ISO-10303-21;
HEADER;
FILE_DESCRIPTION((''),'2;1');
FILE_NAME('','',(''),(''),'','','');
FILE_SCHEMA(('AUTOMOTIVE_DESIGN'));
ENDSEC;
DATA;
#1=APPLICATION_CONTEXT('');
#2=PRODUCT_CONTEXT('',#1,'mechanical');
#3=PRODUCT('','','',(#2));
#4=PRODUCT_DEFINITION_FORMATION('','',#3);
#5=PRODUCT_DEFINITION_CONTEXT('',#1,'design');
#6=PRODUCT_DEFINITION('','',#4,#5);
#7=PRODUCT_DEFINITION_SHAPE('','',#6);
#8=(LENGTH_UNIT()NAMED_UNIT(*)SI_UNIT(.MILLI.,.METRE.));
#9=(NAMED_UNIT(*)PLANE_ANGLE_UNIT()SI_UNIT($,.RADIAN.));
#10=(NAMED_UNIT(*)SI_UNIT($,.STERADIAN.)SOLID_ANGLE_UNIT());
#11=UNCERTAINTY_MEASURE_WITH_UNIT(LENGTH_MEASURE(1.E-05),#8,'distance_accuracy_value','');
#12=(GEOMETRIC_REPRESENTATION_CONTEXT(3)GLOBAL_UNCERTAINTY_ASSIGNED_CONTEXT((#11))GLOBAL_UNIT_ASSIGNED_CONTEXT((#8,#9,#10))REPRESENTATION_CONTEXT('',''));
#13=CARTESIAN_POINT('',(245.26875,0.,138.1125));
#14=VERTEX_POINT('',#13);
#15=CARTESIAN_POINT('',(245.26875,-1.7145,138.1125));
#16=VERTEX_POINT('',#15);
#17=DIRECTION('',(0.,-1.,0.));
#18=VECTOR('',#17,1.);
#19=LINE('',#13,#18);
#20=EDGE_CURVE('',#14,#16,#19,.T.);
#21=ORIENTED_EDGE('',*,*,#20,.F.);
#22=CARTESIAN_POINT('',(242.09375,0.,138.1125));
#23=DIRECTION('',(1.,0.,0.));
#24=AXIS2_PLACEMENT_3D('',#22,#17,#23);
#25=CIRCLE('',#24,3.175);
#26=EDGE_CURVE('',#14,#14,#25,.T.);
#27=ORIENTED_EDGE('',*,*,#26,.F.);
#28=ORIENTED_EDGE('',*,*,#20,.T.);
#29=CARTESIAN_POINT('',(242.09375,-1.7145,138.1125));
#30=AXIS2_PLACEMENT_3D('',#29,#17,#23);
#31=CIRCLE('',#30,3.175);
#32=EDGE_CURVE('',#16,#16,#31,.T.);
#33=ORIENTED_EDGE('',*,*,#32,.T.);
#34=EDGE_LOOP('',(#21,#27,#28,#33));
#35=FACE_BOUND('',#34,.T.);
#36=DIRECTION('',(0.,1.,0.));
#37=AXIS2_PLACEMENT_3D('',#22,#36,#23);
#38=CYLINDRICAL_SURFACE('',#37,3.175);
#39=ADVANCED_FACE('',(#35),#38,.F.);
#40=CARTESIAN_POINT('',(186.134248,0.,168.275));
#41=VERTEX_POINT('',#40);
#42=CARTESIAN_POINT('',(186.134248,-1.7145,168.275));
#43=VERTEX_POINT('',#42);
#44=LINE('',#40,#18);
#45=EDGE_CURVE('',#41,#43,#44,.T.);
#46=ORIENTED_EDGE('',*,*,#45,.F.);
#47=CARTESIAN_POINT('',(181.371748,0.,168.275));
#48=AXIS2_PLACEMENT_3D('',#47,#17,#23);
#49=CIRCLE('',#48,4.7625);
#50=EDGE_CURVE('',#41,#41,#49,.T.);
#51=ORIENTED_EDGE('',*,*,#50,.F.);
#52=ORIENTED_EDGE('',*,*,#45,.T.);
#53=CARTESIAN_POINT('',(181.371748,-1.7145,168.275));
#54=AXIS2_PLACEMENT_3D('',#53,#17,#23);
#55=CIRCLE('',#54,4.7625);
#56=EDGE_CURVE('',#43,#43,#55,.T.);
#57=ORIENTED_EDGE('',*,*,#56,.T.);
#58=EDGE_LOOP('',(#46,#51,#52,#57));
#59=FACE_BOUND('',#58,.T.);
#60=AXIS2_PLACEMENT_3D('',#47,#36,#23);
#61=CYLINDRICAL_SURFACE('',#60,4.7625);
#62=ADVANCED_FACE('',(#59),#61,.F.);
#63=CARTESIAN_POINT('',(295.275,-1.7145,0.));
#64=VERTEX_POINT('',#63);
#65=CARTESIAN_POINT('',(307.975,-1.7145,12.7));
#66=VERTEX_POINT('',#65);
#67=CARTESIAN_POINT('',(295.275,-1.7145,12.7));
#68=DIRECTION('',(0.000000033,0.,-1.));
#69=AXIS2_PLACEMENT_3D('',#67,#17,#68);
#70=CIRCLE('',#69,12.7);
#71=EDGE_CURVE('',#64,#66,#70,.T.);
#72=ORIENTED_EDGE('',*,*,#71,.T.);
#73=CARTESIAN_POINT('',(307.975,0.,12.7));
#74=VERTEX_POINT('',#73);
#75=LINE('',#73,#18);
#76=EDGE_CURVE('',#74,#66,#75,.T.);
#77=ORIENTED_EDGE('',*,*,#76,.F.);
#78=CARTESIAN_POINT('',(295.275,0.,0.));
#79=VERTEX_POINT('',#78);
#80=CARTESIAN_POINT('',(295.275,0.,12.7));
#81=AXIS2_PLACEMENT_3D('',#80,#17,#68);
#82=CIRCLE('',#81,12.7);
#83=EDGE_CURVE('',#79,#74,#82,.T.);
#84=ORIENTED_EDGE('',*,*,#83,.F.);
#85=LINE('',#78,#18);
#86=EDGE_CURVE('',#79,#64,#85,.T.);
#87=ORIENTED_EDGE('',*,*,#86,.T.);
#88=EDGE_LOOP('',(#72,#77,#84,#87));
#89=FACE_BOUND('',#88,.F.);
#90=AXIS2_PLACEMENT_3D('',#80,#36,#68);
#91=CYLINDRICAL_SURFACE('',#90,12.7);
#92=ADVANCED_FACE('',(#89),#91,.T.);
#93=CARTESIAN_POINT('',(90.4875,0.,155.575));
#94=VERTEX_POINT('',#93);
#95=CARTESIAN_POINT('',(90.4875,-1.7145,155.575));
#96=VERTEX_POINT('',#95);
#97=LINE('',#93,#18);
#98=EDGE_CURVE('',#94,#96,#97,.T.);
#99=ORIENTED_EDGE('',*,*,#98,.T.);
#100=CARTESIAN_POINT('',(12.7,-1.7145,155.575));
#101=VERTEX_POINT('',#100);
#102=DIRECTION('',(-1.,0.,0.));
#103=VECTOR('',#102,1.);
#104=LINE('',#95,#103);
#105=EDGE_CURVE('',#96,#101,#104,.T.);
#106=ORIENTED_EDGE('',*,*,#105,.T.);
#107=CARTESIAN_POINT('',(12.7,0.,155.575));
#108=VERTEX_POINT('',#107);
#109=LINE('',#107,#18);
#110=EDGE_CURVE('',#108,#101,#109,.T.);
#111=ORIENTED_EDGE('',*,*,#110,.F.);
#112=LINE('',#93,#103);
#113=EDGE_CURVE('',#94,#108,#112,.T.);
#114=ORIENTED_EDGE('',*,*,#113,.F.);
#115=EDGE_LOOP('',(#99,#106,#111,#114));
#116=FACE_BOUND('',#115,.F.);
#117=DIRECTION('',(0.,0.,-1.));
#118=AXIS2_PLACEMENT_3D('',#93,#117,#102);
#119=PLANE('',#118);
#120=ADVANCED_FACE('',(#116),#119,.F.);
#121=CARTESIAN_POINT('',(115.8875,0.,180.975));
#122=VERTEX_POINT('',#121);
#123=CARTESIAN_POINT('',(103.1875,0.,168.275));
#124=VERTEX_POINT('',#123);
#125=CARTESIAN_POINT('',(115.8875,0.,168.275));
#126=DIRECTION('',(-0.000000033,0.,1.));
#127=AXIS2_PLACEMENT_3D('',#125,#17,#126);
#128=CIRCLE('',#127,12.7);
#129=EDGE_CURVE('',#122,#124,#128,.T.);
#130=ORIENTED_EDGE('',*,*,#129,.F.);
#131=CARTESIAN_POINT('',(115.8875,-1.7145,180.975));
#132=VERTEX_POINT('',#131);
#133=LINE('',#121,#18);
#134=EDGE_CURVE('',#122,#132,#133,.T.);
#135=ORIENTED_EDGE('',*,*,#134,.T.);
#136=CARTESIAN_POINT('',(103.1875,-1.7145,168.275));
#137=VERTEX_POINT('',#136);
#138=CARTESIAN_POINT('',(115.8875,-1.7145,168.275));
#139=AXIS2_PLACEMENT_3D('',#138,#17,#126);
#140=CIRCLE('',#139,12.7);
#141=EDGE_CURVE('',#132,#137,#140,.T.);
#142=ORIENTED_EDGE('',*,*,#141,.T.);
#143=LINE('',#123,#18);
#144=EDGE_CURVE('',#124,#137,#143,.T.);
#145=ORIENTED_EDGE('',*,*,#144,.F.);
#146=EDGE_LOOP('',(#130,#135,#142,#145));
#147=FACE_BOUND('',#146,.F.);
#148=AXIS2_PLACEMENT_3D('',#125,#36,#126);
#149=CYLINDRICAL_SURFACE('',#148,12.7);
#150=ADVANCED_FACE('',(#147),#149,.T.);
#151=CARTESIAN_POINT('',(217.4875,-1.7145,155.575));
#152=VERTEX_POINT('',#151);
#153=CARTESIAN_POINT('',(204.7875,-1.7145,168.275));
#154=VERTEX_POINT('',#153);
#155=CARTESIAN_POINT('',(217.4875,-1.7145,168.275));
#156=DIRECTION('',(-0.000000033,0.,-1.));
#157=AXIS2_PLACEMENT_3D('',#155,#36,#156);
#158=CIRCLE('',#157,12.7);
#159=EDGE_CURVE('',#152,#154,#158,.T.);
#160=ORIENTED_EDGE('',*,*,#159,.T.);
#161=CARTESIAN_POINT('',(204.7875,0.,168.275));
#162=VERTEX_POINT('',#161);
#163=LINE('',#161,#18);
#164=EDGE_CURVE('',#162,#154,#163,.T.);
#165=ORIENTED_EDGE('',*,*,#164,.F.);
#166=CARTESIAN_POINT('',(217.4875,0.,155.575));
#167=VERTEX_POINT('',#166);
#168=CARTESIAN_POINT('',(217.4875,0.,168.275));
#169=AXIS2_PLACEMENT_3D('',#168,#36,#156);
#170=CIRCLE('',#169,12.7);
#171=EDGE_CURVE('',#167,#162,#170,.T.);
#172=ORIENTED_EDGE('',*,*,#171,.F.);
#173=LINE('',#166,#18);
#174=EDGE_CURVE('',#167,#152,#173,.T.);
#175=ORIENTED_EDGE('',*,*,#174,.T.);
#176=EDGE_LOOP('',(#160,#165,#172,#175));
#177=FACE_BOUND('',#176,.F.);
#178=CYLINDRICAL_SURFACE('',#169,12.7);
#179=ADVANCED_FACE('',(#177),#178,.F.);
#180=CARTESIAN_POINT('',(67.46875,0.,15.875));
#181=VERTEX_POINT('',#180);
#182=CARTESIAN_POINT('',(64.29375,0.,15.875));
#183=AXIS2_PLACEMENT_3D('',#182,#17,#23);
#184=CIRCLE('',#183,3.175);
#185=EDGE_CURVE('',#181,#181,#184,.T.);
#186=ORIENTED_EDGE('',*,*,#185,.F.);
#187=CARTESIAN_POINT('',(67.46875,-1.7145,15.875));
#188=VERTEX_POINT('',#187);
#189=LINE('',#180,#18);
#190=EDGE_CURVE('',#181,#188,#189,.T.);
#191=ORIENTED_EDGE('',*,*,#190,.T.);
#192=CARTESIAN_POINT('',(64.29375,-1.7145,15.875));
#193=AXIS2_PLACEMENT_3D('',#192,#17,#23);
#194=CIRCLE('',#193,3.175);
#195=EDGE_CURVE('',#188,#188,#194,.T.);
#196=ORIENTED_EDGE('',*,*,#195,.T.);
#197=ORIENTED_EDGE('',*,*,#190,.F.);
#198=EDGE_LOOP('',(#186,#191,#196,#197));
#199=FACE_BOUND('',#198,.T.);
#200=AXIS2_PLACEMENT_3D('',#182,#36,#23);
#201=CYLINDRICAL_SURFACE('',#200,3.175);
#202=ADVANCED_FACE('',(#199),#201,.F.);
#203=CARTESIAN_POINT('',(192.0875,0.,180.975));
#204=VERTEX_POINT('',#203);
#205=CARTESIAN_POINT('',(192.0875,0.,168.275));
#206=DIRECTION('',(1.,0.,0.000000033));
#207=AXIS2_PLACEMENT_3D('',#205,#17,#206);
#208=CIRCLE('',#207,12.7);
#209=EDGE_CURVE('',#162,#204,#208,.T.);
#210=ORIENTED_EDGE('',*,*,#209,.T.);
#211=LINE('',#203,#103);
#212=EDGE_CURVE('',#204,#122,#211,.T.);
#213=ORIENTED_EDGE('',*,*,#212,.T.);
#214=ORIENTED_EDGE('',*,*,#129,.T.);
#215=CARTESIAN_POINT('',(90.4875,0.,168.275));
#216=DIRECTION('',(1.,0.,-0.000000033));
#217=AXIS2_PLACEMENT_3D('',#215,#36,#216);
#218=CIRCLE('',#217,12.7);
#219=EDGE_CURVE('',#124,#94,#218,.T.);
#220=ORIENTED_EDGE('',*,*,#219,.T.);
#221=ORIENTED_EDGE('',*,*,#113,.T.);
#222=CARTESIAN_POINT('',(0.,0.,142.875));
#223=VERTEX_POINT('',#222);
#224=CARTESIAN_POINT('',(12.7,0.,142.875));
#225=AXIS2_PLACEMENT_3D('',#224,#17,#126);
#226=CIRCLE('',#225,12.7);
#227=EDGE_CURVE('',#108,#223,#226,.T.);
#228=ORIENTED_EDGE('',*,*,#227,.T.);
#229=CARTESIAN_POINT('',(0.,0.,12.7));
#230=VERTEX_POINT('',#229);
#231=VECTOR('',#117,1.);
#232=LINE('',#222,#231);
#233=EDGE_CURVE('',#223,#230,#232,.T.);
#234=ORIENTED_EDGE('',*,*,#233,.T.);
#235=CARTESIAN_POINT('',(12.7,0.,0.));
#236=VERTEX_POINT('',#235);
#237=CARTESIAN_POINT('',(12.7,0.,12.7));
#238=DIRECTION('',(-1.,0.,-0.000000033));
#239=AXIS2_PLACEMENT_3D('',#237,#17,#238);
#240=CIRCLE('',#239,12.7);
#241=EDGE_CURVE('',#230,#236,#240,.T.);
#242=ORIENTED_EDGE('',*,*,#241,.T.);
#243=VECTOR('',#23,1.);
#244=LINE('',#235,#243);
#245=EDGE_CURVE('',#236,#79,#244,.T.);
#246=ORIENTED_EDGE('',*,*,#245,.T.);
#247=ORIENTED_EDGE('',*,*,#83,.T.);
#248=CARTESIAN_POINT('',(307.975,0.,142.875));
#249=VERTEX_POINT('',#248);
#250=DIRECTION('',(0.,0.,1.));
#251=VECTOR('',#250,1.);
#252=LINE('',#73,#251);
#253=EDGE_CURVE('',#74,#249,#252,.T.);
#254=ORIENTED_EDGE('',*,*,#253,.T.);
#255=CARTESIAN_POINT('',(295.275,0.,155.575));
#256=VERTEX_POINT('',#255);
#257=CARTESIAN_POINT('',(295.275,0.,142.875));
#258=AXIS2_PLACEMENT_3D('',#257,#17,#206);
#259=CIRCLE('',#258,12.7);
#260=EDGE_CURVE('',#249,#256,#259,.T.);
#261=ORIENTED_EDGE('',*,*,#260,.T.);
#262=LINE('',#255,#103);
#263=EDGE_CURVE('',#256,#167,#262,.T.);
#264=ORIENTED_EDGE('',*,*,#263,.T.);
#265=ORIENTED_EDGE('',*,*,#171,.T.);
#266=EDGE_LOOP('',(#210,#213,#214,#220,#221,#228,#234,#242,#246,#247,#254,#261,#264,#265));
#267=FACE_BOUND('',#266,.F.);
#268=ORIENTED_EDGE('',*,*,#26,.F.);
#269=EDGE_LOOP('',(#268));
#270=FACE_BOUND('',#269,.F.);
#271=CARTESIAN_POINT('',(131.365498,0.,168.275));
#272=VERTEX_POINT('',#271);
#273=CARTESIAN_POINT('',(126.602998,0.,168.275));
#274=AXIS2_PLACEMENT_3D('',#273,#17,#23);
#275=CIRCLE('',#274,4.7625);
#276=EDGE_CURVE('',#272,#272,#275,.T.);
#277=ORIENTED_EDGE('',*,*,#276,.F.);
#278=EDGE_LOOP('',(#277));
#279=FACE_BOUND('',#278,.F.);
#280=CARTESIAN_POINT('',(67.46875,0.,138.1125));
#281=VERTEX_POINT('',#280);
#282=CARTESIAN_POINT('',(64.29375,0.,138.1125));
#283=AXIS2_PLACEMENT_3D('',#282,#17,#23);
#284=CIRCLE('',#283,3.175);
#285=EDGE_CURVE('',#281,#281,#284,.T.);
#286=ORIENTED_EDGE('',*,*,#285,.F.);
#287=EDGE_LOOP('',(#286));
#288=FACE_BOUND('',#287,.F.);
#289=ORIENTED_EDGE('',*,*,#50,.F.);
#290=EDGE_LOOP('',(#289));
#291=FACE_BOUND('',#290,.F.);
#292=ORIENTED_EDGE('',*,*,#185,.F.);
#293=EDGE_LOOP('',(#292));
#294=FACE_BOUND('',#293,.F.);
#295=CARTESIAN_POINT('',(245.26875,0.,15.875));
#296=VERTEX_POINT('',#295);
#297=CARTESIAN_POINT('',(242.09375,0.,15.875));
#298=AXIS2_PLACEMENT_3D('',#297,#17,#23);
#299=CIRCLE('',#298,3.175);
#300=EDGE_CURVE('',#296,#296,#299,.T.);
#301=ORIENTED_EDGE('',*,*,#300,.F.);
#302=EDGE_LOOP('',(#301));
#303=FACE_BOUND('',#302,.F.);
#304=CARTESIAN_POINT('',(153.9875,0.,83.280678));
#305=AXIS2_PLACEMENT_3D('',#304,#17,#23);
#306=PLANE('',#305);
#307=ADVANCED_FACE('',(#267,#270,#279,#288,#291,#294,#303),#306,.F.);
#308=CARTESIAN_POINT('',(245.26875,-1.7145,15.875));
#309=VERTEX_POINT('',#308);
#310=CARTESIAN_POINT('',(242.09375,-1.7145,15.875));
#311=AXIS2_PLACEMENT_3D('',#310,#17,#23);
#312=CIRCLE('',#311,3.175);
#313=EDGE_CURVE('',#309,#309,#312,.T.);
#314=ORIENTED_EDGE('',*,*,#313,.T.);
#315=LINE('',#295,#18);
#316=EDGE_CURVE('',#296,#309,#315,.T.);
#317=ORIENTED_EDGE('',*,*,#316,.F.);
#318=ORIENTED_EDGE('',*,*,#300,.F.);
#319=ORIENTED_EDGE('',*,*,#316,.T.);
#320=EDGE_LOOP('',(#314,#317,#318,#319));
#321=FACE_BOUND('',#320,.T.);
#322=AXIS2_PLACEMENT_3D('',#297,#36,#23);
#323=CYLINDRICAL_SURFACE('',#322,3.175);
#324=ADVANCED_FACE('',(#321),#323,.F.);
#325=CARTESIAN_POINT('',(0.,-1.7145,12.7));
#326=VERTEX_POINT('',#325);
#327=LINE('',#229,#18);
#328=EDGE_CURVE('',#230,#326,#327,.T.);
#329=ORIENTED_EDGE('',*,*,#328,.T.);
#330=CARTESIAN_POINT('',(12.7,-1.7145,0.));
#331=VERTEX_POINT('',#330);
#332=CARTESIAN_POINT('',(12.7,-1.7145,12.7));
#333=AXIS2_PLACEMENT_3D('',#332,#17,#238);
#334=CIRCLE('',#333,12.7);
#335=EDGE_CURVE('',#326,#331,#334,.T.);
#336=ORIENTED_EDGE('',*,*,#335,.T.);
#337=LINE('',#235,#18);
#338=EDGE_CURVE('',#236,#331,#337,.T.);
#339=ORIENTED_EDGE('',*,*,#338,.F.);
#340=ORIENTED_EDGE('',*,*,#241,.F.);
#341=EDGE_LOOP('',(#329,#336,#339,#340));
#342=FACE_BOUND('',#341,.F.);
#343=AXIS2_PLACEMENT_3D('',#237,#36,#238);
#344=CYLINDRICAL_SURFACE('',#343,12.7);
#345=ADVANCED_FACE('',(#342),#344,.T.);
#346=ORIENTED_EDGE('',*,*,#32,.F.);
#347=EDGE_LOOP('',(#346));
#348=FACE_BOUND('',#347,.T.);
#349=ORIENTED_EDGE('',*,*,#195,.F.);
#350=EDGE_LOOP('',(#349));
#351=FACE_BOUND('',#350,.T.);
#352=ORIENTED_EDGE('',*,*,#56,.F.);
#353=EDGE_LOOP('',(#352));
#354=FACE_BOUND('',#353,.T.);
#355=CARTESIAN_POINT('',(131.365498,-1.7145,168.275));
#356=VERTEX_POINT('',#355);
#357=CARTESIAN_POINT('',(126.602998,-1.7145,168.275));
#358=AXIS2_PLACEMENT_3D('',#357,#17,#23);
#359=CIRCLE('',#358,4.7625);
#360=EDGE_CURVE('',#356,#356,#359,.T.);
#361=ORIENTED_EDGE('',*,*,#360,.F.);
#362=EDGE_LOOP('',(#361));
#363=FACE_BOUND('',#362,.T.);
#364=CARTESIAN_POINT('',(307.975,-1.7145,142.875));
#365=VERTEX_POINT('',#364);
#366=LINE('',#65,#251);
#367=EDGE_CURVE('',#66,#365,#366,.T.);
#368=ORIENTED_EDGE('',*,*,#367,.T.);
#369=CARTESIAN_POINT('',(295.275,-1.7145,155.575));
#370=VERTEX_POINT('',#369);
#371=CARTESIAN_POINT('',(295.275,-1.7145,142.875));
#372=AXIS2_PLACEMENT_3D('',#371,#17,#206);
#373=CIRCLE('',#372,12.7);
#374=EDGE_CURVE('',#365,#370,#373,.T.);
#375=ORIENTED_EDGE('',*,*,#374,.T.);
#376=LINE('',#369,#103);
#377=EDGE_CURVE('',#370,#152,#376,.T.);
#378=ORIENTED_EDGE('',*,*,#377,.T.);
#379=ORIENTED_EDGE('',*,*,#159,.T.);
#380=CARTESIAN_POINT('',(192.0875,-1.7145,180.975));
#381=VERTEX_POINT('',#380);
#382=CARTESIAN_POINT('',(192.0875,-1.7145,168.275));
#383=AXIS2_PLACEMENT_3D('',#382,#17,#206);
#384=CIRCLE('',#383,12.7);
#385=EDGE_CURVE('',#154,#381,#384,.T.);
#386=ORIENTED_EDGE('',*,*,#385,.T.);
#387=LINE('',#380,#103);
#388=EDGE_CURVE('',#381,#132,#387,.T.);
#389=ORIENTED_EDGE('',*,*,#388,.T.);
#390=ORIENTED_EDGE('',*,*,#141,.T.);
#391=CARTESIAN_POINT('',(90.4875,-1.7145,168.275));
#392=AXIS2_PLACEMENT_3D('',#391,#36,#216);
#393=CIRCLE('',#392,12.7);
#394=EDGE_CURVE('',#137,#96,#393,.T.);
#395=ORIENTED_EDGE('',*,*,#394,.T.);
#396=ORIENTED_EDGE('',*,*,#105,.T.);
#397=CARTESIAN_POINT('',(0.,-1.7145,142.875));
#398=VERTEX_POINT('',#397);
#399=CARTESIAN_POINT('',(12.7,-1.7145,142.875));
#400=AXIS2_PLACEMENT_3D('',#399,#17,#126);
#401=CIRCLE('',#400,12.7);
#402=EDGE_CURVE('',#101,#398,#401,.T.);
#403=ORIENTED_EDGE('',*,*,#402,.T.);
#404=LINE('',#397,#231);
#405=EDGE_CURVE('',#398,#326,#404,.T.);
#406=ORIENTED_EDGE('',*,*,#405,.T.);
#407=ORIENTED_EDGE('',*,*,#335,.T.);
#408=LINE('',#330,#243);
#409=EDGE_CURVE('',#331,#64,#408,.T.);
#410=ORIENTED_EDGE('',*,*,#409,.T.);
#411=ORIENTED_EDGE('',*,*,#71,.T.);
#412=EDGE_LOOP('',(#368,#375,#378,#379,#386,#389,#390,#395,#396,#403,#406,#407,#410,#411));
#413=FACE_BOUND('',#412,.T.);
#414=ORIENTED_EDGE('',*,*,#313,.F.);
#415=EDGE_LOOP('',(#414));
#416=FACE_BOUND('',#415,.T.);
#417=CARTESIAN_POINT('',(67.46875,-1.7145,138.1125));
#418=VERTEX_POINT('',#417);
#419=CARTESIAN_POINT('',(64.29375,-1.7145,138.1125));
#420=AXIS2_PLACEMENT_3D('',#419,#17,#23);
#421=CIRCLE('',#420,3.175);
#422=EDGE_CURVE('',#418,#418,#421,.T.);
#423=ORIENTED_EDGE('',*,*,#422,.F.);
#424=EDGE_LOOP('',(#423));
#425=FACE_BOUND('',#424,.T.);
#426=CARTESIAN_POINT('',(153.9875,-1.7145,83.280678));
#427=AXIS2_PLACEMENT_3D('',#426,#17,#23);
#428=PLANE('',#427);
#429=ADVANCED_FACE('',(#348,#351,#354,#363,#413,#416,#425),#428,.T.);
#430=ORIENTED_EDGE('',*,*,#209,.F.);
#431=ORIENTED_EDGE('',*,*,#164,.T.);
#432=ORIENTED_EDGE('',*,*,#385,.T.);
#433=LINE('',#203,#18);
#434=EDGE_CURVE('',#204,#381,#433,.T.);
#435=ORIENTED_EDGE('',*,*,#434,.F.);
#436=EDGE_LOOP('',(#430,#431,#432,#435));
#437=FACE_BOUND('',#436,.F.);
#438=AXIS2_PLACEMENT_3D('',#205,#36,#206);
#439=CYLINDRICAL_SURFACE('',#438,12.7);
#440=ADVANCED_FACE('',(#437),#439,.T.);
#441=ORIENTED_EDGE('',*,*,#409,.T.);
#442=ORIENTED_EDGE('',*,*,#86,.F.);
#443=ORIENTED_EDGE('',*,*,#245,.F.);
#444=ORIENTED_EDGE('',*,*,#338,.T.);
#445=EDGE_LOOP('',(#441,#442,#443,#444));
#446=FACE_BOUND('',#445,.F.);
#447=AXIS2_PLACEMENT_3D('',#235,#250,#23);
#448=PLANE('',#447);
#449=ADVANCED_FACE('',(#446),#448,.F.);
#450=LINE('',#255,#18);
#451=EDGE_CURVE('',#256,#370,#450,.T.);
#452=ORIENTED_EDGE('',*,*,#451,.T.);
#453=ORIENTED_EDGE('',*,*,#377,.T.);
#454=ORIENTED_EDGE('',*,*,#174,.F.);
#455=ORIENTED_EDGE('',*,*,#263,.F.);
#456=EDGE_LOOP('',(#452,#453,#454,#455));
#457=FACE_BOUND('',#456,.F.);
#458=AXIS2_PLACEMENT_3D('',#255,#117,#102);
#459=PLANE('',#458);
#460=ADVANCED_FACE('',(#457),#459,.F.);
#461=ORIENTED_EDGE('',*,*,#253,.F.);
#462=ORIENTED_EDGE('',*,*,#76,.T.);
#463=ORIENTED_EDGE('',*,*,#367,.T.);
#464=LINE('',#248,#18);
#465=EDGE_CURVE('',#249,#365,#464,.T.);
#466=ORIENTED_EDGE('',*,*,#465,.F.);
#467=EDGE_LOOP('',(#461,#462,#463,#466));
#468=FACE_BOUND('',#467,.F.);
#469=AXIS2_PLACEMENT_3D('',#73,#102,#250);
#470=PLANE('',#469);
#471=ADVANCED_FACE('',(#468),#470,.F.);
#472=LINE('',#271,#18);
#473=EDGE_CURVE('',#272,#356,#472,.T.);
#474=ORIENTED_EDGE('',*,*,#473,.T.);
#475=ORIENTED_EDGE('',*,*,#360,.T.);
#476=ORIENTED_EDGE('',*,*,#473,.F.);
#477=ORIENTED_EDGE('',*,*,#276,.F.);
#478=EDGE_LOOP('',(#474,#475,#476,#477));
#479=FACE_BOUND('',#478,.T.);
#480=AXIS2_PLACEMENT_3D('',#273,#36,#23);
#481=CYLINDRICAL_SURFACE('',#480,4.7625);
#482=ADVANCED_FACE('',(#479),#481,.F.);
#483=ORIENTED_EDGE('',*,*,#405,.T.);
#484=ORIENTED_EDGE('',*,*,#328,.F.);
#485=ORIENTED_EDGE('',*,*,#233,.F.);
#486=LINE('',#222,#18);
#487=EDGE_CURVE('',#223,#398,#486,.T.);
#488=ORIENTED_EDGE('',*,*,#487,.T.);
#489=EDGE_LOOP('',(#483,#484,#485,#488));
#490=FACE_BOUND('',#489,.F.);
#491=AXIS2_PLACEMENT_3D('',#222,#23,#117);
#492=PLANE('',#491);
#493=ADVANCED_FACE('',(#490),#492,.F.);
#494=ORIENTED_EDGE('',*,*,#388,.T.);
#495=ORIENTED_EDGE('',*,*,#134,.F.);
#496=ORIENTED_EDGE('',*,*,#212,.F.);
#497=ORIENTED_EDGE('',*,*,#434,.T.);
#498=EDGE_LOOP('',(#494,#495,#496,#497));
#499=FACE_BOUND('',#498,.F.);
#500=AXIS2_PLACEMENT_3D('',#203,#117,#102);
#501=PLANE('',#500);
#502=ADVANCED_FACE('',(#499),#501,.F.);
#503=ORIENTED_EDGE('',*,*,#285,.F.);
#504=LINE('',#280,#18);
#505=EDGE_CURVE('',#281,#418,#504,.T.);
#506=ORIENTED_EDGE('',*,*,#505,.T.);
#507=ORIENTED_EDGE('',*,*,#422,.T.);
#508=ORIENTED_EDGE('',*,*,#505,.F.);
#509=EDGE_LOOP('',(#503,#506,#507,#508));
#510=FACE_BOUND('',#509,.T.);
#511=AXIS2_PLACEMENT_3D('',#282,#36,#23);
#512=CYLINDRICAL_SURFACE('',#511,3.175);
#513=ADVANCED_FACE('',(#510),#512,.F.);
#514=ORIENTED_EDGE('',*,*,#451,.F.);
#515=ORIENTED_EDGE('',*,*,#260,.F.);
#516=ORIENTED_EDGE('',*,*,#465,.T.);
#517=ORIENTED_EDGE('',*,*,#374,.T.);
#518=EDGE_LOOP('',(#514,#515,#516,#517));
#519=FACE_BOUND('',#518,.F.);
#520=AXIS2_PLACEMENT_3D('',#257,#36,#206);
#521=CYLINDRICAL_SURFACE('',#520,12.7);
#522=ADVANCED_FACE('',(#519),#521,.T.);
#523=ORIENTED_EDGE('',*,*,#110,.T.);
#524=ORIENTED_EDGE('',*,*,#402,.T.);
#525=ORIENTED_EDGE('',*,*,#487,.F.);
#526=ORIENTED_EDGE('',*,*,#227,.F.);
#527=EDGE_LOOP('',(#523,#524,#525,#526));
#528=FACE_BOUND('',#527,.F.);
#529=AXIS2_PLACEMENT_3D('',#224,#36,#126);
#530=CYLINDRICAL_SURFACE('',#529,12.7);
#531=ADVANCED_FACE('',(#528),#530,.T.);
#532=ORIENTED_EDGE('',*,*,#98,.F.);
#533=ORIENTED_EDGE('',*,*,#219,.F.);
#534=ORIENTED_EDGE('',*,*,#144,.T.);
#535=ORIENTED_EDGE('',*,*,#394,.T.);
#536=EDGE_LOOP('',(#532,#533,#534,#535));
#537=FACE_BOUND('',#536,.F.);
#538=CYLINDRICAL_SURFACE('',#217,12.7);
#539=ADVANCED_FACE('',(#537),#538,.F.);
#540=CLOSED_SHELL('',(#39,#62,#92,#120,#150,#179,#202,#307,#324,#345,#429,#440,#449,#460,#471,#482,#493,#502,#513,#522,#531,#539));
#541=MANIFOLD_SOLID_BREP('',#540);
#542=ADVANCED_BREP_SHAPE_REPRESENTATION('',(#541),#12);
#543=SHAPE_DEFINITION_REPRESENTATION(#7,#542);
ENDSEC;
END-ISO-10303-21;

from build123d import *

# Parameters (mm, degrees)
F0_R     = 3.175
F0_R_2   = 4.7625
F1_DEPTH = 1.7145


with BuildPart() as f1:
    # F0 (on Front) → F1 (new body)
    with BuildSketch(Plane.XZ):
        with BuildLine():
            ThreePointArc((0, 12.7), (3.719744, 3.719744), (12.7, 0))
            Line((12.7, 0), (295.275, 0))
            ThreePointArc((295.275, 0), (304.255256, 3.719744), (307.975, 12.7))
            Line((307.975, 12.7), (307.975, 142.875))
            ThreePointArc((307.975, 142.875), (304.255256, 151.855256), (295.275, 155.575))
            Line((295.275, 155.575), (217.4875, 155.575))
            ThreePointArc((217.4875, 155.575), (208.507244, 159.294744), (204.7875, 168.275))
            ThreePointArc((204.7875, 168.275), (201.067756, 177.255256), (192.0875, 180.975))
            Line((192.0875, 180.975), (115.8875, 180.975))
            ThreePointArc((115.8875, 180.975), (106.907244, 177.255256), (103.1875, 168.275))
            ThreePointArc((103.1875, 168.275), (99.467756, 159.294744), (90.4875, 155.575))
            Line((90.4875, 155.575), (12.7, 155.575))
            ThreePointArc((12.7, 155.575), (3.719744, 151.855256), (0, 142.875))
            Line((0, 142.875), (0, 12.7))
        make_face()
        with Locations((64.29375, 15.875)):
            Circle(F0_R, mode=Mode.SUBTRACT)
        with Locations((242.09375, 15.875)):
            Circle(F0_R, mode=Mode.SUBTRACT)
        with Locations((64.29375, 138.1125)):
            Circle(F0_R, mode=Mode.SUBTRACT)
        with Locations((126.602998, 168.275)):
            Circle(F0_R_2, mode=Mode.SUBTRACT)
        with Locations((181.371748, 168.275)):
            Circle(F0_R_2, mode=Mode.SUBTRACT)
        with Locations((242.09375, 138.1125)):
            Circle(F0_R, mode=Mode.SUBTRACT)
    extrude(amount=F1_DEPTH)


solid = f1.part
